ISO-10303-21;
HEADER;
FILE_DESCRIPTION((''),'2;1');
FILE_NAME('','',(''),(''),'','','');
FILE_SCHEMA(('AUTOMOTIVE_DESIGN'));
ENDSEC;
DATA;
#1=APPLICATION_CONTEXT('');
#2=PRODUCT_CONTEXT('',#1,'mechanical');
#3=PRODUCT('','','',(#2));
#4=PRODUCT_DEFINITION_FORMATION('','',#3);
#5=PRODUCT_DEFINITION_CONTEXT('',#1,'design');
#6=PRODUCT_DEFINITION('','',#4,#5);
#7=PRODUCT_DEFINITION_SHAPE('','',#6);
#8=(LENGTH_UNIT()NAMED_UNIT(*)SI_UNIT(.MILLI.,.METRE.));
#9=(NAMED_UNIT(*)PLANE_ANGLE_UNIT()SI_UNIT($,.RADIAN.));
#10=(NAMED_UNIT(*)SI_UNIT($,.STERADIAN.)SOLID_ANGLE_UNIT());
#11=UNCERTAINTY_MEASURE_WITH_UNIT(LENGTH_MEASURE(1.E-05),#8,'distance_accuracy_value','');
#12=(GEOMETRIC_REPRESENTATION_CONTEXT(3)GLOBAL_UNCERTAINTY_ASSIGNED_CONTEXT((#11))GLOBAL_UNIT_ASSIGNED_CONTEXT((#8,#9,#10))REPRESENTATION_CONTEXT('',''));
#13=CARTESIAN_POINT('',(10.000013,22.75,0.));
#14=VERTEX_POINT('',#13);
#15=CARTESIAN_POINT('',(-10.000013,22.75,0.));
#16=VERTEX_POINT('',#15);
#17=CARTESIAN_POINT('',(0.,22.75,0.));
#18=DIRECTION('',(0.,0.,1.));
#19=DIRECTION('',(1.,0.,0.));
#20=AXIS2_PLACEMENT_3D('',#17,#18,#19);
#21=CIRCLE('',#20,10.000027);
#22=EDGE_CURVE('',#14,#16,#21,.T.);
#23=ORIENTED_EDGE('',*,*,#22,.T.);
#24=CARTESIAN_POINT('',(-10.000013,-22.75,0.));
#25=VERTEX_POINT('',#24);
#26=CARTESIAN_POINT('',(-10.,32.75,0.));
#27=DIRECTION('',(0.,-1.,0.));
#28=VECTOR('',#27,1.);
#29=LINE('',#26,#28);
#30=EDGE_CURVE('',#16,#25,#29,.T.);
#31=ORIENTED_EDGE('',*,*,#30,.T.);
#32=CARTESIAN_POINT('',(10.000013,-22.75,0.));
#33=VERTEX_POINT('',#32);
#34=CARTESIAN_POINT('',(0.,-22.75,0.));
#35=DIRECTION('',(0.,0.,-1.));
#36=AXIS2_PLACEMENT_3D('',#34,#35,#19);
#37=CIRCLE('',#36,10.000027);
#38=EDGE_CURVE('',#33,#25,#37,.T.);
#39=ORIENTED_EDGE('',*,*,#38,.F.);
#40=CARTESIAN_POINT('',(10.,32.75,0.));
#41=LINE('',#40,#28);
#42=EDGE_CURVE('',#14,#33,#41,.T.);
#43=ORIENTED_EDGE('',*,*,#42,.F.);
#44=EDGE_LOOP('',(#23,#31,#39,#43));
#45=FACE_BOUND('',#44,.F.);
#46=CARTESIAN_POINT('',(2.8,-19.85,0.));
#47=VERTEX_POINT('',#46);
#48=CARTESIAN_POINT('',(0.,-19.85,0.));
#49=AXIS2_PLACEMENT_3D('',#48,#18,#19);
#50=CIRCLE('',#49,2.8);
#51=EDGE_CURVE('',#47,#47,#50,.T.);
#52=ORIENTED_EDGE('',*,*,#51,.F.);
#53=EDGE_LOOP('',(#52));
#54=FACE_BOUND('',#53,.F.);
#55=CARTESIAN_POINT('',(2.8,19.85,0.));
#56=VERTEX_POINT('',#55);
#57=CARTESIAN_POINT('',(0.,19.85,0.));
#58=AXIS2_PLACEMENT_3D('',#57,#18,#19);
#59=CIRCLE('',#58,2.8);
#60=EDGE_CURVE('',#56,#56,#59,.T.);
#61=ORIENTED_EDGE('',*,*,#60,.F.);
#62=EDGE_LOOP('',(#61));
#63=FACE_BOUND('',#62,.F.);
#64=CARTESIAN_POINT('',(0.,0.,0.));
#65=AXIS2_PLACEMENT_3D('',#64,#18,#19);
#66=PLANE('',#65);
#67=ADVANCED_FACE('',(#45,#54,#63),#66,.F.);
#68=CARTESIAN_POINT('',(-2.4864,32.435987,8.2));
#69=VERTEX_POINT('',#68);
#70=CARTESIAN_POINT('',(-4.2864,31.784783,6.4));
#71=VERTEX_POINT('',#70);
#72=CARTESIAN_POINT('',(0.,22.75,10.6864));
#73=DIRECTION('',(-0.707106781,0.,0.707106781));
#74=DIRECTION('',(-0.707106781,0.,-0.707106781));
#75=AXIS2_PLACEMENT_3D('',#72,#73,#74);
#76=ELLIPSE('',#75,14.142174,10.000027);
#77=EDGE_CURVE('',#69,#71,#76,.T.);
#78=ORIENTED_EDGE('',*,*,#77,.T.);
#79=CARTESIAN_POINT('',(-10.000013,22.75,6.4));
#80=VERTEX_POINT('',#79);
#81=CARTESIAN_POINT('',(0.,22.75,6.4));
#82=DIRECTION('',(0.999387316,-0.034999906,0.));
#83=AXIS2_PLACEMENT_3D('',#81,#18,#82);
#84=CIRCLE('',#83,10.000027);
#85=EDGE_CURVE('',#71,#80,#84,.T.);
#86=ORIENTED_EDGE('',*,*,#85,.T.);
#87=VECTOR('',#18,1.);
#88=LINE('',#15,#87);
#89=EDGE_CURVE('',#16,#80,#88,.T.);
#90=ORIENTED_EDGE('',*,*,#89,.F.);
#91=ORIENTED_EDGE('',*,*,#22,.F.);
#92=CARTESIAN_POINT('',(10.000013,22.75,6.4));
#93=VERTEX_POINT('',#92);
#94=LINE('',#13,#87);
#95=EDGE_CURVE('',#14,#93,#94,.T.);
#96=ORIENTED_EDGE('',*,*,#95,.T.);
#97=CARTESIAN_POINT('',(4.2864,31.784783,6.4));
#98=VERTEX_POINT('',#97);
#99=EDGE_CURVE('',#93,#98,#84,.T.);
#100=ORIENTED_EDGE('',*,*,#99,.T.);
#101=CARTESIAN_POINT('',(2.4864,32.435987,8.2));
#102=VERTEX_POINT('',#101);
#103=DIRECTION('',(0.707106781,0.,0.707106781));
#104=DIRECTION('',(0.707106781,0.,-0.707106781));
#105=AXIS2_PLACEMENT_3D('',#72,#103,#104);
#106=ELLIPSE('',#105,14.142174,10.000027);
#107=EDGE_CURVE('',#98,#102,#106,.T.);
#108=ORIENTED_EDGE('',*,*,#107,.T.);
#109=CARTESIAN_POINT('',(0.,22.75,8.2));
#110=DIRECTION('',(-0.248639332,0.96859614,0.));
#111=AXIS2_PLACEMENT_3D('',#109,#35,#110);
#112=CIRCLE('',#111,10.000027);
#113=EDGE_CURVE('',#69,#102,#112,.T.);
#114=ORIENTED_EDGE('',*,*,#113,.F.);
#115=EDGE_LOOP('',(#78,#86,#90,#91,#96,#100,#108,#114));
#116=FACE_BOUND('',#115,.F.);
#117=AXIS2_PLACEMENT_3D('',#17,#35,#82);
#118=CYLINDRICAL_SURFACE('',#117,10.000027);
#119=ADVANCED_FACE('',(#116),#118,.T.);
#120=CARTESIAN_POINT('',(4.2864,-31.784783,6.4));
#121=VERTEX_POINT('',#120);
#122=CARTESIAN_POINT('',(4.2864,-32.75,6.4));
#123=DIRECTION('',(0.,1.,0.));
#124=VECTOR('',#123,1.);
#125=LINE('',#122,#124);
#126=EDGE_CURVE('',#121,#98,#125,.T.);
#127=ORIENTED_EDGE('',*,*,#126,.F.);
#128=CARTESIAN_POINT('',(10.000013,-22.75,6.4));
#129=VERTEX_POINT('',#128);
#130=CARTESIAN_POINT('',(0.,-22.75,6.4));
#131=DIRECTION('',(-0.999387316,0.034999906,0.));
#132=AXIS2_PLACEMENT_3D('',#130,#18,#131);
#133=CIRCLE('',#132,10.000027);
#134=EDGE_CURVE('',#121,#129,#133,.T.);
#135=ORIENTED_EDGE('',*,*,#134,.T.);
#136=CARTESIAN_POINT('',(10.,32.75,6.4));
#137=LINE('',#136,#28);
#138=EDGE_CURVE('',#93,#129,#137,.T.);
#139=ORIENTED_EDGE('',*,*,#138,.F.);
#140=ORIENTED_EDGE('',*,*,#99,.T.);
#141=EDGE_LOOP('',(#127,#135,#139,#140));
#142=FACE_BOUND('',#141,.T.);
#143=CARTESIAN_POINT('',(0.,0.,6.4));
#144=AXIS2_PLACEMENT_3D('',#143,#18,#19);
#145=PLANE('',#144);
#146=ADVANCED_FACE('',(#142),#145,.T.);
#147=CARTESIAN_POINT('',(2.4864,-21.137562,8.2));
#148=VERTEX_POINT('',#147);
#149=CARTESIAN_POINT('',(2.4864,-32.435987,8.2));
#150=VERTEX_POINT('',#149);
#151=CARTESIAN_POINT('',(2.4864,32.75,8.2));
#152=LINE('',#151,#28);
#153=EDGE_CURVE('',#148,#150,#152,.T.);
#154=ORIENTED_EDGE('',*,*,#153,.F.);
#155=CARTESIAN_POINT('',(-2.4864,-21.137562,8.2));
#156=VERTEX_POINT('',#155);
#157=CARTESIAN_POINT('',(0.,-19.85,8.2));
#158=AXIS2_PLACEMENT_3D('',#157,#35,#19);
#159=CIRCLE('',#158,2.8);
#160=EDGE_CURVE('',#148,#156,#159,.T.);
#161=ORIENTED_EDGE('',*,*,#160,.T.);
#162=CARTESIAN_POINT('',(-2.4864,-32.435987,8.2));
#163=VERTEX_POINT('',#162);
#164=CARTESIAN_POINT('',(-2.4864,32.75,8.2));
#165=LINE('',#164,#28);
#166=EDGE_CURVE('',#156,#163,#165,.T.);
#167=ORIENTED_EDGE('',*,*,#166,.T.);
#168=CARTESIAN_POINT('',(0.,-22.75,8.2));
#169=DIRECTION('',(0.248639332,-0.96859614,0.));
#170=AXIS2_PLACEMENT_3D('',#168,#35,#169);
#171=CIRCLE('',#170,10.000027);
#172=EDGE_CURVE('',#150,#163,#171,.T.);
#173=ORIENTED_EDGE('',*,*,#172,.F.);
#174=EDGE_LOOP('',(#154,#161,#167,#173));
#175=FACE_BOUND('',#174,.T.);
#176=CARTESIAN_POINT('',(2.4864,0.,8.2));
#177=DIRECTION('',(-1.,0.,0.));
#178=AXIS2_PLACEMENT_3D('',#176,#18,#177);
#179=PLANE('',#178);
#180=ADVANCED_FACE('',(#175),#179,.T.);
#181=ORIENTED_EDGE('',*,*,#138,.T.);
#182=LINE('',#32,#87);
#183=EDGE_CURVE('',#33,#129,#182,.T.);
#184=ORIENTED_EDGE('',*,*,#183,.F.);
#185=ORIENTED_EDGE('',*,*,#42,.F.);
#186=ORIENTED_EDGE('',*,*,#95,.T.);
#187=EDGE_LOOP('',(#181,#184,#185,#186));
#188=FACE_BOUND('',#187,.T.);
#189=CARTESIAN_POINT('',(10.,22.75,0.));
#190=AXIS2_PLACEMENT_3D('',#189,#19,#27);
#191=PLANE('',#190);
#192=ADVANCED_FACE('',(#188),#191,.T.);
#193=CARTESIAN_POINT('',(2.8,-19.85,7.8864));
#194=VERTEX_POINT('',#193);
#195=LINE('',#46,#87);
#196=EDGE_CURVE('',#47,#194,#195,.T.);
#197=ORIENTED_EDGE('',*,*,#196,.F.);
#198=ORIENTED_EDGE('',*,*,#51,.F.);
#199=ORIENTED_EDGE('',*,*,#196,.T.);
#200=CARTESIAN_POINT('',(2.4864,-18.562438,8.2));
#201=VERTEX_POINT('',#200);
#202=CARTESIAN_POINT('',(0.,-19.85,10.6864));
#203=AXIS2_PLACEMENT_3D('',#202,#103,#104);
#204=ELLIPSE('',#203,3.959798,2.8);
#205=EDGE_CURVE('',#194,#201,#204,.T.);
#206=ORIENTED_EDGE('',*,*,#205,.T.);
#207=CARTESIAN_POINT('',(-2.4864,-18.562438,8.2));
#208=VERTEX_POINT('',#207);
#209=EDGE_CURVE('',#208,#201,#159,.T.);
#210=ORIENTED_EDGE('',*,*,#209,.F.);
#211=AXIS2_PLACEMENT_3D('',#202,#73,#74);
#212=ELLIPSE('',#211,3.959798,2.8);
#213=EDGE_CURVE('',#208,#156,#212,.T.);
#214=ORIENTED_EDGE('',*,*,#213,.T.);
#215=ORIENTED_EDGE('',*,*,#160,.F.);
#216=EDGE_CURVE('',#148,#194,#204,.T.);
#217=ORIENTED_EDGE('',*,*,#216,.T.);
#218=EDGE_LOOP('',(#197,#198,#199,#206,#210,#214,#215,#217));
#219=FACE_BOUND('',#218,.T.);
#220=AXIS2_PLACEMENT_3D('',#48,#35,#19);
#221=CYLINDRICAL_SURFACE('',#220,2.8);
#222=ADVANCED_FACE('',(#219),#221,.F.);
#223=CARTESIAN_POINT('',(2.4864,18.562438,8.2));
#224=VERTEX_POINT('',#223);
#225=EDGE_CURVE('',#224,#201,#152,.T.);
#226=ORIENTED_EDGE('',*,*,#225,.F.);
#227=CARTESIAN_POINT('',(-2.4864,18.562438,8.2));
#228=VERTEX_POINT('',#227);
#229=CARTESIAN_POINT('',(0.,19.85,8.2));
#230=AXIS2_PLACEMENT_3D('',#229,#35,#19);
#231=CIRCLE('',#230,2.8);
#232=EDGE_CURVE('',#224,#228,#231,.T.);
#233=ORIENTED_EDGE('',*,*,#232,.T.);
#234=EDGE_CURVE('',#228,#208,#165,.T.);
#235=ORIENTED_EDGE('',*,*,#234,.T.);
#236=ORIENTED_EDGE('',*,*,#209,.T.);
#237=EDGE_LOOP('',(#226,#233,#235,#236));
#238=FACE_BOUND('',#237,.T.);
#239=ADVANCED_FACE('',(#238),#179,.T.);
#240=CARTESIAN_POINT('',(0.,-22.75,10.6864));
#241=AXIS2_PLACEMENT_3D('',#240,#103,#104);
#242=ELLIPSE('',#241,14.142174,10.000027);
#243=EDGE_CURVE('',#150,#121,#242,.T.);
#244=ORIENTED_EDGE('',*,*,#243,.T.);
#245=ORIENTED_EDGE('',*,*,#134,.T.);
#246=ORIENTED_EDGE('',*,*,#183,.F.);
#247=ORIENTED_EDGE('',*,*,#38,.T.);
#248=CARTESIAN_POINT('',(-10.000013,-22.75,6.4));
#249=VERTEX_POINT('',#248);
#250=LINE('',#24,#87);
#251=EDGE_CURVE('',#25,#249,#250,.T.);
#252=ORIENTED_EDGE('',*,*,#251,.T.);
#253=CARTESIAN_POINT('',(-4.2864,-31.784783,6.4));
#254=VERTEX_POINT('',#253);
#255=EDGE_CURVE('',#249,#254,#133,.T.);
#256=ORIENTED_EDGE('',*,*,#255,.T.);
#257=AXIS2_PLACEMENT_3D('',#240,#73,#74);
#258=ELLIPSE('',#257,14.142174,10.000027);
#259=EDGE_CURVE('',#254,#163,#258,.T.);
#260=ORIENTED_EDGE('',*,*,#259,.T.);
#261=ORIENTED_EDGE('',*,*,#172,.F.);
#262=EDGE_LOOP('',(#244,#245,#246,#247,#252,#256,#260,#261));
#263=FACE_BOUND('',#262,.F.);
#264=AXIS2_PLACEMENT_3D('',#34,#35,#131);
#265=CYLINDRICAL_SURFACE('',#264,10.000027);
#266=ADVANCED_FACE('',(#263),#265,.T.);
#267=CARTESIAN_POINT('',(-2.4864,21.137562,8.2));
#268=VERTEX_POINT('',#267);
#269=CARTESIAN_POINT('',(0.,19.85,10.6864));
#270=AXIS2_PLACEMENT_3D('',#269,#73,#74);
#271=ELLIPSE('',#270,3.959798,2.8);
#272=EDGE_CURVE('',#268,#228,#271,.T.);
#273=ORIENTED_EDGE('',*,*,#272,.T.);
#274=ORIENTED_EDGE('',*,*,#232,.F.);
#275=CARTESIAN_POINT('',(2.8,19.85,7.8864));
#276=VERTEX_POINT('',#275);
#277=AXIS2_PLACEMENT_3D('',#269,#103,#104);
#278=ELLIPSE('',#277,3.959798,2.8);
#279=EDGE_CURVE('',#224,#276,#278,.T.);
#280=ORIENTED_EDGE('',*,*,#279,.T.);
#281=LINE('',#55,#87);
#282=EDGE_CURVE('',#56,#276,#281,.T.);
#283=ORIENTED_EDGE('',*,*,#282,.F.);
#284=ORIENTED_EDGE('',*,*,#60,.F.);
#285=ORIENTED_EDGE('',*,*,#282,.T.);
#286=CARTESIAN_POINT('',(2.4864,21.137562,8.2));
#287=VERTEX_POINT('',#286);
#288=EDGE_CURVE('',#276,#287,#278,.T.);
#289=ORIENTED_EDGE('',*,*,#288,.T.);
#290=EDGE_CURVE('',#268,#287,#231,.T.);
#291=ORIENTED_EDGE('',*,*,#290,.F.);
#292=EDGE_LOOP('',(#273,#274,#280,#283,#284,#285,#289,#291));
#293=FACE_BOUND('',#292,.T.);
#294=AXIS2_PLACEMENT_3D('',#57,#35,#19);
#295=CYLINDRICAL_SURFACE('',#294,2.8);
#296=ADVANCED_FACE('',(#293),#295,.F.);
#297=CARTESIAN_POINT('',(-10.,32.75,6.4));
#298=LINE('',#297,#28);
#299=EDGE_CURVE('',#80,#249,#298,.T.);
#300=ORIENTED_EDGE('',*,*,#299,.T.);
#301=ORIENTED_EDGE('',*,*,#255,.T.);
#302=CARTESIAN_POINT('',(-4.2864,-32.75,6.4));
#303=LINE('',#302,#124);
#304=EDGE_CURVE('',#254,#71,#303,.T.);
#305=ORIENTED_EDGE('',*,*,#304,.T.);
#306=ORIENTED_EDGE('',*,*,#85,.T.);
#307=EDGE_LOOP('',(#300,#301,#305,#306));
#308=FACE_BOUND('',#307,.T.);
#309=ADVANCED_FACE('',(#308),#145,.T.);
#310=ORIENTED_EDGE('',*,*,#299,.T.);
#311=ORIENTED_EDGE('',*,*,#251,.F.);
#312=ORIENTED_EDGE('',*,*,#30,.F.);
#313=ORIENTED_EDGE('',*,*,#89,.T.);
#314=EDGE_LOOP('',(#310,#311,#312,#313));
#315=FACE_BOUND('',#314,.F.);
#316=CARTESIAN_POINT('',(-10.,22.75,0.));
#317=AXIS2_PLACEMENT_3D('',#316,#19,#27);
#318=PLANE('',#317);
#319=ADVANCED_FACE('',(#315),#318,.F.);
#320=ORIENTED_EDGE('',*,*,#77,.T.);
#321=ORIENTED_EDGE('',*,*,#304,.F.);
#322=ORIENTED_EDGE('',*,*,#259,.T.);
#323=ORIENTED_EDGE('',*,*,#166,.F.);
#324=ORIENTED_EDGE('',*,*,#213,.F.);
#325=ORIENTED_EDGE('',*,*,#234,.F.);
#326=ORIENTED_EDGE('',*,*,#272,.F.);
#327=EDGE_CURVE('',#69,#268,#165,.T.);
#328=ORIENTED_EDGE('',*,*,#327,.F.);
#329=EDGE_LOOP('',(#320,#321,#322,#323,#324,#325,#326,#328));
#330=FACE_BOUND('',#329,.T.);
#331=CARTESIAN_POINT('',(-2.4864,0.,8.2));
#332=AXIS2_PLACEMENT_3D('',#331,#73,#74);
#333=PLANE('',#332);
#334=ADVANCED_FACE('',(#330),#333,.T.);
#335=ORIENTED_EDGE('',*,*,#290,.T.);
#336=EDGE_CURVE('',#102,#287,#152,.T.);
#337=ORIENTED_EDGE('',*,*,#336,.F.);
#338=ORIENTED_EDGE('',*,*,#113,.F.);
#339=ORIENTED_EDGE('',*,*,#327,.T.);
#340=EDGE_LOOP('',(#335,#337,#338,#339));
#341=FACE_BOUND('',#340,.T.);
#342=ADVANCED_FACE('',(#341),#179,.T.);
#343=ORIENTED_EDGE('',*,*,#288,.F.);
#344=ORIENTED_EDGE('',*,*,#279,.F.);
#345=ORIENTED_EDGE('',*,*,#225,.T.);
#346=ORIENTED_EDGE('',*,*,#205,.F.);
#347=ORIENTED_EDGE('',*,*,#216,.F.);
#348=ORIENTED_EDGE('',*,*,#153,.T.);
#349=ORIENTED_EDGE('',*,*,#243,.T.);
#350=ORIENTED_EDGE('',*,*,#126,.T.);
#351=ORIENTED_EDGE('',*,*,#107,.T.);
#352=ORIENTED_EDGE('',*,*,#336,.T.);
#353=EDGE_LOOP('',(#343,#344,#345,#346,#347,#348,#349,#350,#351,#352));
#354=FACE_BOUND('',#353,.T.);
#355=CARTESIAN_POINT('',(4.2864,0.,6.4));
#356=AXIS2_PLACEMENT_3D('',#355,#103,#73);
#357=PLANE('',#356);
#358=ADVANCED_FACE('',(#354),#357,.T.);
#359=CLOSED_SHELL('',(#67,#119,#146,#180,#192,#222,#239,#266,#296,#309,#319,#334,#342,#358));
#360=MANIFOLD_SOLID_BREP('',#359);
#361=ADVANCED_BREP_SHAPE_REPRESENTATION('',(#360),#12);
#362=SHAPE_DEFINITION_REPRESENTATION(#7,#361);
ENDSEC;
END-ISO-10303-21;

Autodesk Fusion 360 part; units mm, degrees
sketch "Sketch1" plane through (0, 0, 0) normal (0, 0, 1) x (1, 0, 0)
  circle A0 centre (0, -19.85) radius 2.8
  circle A1 centre (0, -10) radius 2.55 construction
  circle A2 centre (0, 0) radius 2.55 construction
  circle A3 centre (0, 10) radius 2.55 construction
  circle A4 centre (0, 19.85) radius 2.8
  circle A5 centre (-10, 0) radius 2.55 construction
  circle A6 centre (-10, 19.85) radius 2.55 construction
  circle A7 centre (-10, -19.85) radius 2.55 construction
  circle A8 centre (10, -19.85) radius 2.55 construction
  circle A9 centre (10, 0) radius 2.55 construction
  circle A10 centre (10, 19.85) radius 2.55 construction
  circle A11 centre (-20, -19.85) radius 3.6
  circle A12 centre (-20, 19.85) radius 2.55
  circle A13 centre (20, 19.85) radius 2.55
  circle A14 centre (20, -19.85) radius 3.6
  line L0 (-32.75, 29.75) -> (-32.75, -29.75)
  arc A15 (-32.75, -29.75) -> (-29.75, -32.75) centre (-29.75, -29.75) ccw
  line L1 (0, -32.75) -> (0, -32.75)
  arc A16 (-29.75, 32.75) -> (-32.75, 29.75) centre (-29.75, 29.75) ccw
  line L2 (0, 32.75) -> (0, 32.75)
  arc A17 (32.75, 29.75) -> (29.75, 32.75) centre (29.75, 29.75) ccw
  line L3 (32.75, -29.75) -> (32.75, 29.75)
  arc A18 (29.75, -32.75) -> (32.75, -29.75) centre (29.75, -29.75) ccw
  line L4 (26.2, -23.4) -> (26.2, -16.9)
  line L5 (29.2, -16.9) -> (29.2, -23.4)
  line L6 (29.2, 3.25) -> (29.2, -3.25)
  line L7 (26.2, -3.25) -> (26.2, 3.25)
  line L8 (26.2, 16.9) -> (26.2, 23.4)
  line L9 (29.2, 23.4) -> (29.2, 16.9)
  arc A19 (29.2, 23.4) -> (26.2, 23.4) centre (27.7, 23.4) ccw
  arc A20 (26.2, 16.9) -> (29.2, 16.9) centre (27.7, 16.9) ccw
  arc A21 (29.2, 3.25) -> (26.2, 3.25) centre (27.7, 3.25) ccw
  arc A22 (26.2, -3.25) -> (29.2, -3.25) centre (27.7, -3.25) ccw
  arc A23 (29.2, -16.9) -> (26.2, -16.9) centre (27.7, -16.9) ccw
  arc A24 (26.2, -23.4) -> (29.2, -23.4) centre (27.7, -23.4) ccw
  arc A25 (17.5, -10.32) -> (22.5, -10.32) centre (20, -10.32) ccw
  arc A26 (22.5, 10.32) -> (17.5, 10.32) centre (20, 10.32) ccw
  line L10 (17.5, -10.32) -> (17.5, 10.32)
  line L11 (22.5, 10.32) -> (22.5, -10.32)
  arc A27 (-17.5, 10.32) -> (-22.5, 10.32) centre (-20, 10.32) ccw
  arc A28 (-22.5, -10.32) -> (-17.5, -10.32) centre (-20, -10.32) ccw
  line L12 (-17.5, 10.32) -> (-17.5, -10.32)
  line L13 (-22.5, -10.32) -> (-22.5, 10.32)
  arc A29 (-26.2, 3.25) -> (-29.2, 3.25) centre (-27.7, 3.25) ccw
  arc A30 (-29.2, -3.25) -> (-26.2, -3.25) centre (-27.7, -3.25) ccw
  line L14 (-29.2, -3.25) -> (-29.2, 3.25)
  line L15 (-26.2, 3.25) -> (-26.2, -3.25)
  arc A31 (-26.2, -16.9) -> (-29.2, -16.9) centre (-27.7, -16.9) ccw
  arc A32 (-29.2, -23.4) -> (-26.2, -23.4) centre (-27.7, -23.4) ccw
  line L16 (-26.2, -16.9) -> (-26.2, -23.4)
  line L17 (-29.2, -23.4) -> (-29.2, -16.9)
  arc A33 (-29.2, 16.9) -> (-26.2, 16.9) centre (-27.7, 16.9) ccw
  arc A34 (-26.2, 23.4) -> (-29.2, 23.4) centre (-27.7, 23.4) ccw
  line L18 (-29.2, 16.9) -> (-29.2, 23.4)
  line L19 (-26.2, 23.4) -> (-26.2, 16.9)
  line L20 (0, 32.75) -> (0, -32.75) construction
  line L21 (-10, 32.75) -> (-10, -32.75)
  line L22 (10, 32.75) -> (10, -32.75)
  arc A35 (-9.9939, -22.4) -> (9.9939, -22.4) centre (0, -22.75) ccw
  arc A36 (9.9939, 22.4) -> (-9.9939, 22.4) centre (0, 22.75) ccw
  line L23 (-29.75, -32.75) -> (29.75, -32.75)
  line L24 (-29.75, 32.75) -> (29.75, 32.75)
  dimension "d3" = 5.6
  dimension "d4" = 5.6
sketch "Sketch2" plane through (0, 0, 0) normal (0, 1, 0) x (1, 0, 0)
  line L0 (4.2864, -6.4) -> (-4.2864, -6.4)
  line L1 (4.2864, -6.4) -> (2.4864, -8.2)
  line L2 (2.4864, -24.6) -> (-2.4864, -24.6)
  line L3 (-2.4864, -8.2) -> (-4.2864, -6.4)
  circle A0 centre (0, -16.4) radius 2.1 construction
  line L4 (2.4864, -8.2) -> (-2.4864, -8.2)
  line L5 (4.2864, -26.4) -> (2.4864, -24.6)
  line L6 (4.2864, -26.4) -> (-4.2864, -26.4)
  line L7 (-2.4864, -24.6) -> (-4.2864, -26.4)
  line L8 (3.9, -19.24) -> (3.9, -13.56) construction
  line L9 (-6.56, -21.9) -> (-8.2, -21.9) construction
  line L10 (8.2, -19.24) -> (8.2, -21.9) construction
  line L11 (-3.9, -13.56) -> (-3.9, -19.24) construction
  line L12 (8.2, -21.9) -> (6.56, -21.9) construction
  line L13 (-5.5, -24.6) -> (-5.5, -22.96) construction
  line L14 (2.84, -12.5) -> (-2.84, -12.5) construction
  line L15 (10, -26.4) -> (10, -21.04) construction
  line L16 (6.56, -10.9) -> (8.2, -10.9) construction
  line L17 (6.56, -21.9) -> (3.9, -19.24) construction
  line L18 (5.5, -24.6) -> (2.84, -24.6) construction
  line L19 (-2.84, -12.5) -> (-5.5, -9.84) construction
  line L20 (-2.84, -24.6) -> (-5.5, -24.6) construction
  line L21 (-3.9, -19.24) -> (-6.56, -21.9) construction
  line L22 (-6.56, -10.9) -> (-3.9, -13.56) construction
  line L23 (-5.5, -22.96) -> (-2.84, -20.3) construction
  line L24 (-10, -26.4) -> (-4.64, -26.4) construction
  line L25 (-5.5, -8.2) -> (-2.84, -8.2) construction
  line L26 (-4.64, -6.4) -> (-10, -6.4) construction
  line L27 (-8.2, -13.56) -> (-8.2, -10.9) construction
  line L28 (5.5, -9.84) -> (2.84, -12.5) construction
  line L29 (-8.2, -10.9) -> (-6.56, -10.9) construction
  line L30 (-10, -6.4) -> (-10, -11.76) construction
  line L31 (5.5, -8.2) -> (5.5, -9.84) construction
  line L32 (-10, -11.76) -> (-8.2, -13.56) construction
  line L33 (10, -21.04) -> (8.2, -19.24) construction
  line L34 (-2.84, -20.3) -> (2.84, -20.3) construction
  line L35 (-8.2, -19.24) -> (-10, -21.04) construction
  line L36 (-8.2, -21.9) -> (-8.2, -19.24) construction
  line L37 (2.84, -8.2) -> (5.5, -8.2) construction
  line L38 (-10, -21.04) -> (-10, -26.4) construction
  line L39 (8.2, -10.9) -> (8.2, -13.56) construction
  line L40 (2.84, -24.6) -> (4.64, -26.4) construction
  line L41 (-5.5, -9.84) -> (-5.5, -8.2) construction
  line L42 (3.9, -13.56) -> (6.56, -10.9) construction
  line L43 (4.64, -26.4) -> (10, -26.4) construction
  line L44 (10, -6.4) -> (4.64, -6.4) construction
  line L45 (5.5, -22.96) -> (5.5, -24.6) construction
  line L46 (2.84, -20.3) -> (5.5, -22.96) construction
  line L47 (-4.64, -26.4) -> (-2.84, -24.6) construction
  line L48 (10, -11.76) -> (10, -6.4) construction
  line L49 (-2.84, -8.2) -> (-4.64, -6.4) construction
  line L50 (8.2, -13.56) -> (10, -11.76) construction
  line L51 (4.64, -6.4) -> (2.84, -8.2) construction
extrude "Extrude1" add sketch "Sketch1" along normal blind 6.4 contours L21 L22 A35 A36
extrude "Extrude2" add sketch "Sketch2" along normal mid plane 65.5 contours L0 L1 L3 L4
extrude "Extrude3" cut sketch "Sketch1" along normal through all contours A0 | A4
extrude "Extrude4" cut sketch "Sketch1" along normal through all contours L21 A36 L24 | L21 A35 L23 | L22 A36 L24 | L22 A35 L23
